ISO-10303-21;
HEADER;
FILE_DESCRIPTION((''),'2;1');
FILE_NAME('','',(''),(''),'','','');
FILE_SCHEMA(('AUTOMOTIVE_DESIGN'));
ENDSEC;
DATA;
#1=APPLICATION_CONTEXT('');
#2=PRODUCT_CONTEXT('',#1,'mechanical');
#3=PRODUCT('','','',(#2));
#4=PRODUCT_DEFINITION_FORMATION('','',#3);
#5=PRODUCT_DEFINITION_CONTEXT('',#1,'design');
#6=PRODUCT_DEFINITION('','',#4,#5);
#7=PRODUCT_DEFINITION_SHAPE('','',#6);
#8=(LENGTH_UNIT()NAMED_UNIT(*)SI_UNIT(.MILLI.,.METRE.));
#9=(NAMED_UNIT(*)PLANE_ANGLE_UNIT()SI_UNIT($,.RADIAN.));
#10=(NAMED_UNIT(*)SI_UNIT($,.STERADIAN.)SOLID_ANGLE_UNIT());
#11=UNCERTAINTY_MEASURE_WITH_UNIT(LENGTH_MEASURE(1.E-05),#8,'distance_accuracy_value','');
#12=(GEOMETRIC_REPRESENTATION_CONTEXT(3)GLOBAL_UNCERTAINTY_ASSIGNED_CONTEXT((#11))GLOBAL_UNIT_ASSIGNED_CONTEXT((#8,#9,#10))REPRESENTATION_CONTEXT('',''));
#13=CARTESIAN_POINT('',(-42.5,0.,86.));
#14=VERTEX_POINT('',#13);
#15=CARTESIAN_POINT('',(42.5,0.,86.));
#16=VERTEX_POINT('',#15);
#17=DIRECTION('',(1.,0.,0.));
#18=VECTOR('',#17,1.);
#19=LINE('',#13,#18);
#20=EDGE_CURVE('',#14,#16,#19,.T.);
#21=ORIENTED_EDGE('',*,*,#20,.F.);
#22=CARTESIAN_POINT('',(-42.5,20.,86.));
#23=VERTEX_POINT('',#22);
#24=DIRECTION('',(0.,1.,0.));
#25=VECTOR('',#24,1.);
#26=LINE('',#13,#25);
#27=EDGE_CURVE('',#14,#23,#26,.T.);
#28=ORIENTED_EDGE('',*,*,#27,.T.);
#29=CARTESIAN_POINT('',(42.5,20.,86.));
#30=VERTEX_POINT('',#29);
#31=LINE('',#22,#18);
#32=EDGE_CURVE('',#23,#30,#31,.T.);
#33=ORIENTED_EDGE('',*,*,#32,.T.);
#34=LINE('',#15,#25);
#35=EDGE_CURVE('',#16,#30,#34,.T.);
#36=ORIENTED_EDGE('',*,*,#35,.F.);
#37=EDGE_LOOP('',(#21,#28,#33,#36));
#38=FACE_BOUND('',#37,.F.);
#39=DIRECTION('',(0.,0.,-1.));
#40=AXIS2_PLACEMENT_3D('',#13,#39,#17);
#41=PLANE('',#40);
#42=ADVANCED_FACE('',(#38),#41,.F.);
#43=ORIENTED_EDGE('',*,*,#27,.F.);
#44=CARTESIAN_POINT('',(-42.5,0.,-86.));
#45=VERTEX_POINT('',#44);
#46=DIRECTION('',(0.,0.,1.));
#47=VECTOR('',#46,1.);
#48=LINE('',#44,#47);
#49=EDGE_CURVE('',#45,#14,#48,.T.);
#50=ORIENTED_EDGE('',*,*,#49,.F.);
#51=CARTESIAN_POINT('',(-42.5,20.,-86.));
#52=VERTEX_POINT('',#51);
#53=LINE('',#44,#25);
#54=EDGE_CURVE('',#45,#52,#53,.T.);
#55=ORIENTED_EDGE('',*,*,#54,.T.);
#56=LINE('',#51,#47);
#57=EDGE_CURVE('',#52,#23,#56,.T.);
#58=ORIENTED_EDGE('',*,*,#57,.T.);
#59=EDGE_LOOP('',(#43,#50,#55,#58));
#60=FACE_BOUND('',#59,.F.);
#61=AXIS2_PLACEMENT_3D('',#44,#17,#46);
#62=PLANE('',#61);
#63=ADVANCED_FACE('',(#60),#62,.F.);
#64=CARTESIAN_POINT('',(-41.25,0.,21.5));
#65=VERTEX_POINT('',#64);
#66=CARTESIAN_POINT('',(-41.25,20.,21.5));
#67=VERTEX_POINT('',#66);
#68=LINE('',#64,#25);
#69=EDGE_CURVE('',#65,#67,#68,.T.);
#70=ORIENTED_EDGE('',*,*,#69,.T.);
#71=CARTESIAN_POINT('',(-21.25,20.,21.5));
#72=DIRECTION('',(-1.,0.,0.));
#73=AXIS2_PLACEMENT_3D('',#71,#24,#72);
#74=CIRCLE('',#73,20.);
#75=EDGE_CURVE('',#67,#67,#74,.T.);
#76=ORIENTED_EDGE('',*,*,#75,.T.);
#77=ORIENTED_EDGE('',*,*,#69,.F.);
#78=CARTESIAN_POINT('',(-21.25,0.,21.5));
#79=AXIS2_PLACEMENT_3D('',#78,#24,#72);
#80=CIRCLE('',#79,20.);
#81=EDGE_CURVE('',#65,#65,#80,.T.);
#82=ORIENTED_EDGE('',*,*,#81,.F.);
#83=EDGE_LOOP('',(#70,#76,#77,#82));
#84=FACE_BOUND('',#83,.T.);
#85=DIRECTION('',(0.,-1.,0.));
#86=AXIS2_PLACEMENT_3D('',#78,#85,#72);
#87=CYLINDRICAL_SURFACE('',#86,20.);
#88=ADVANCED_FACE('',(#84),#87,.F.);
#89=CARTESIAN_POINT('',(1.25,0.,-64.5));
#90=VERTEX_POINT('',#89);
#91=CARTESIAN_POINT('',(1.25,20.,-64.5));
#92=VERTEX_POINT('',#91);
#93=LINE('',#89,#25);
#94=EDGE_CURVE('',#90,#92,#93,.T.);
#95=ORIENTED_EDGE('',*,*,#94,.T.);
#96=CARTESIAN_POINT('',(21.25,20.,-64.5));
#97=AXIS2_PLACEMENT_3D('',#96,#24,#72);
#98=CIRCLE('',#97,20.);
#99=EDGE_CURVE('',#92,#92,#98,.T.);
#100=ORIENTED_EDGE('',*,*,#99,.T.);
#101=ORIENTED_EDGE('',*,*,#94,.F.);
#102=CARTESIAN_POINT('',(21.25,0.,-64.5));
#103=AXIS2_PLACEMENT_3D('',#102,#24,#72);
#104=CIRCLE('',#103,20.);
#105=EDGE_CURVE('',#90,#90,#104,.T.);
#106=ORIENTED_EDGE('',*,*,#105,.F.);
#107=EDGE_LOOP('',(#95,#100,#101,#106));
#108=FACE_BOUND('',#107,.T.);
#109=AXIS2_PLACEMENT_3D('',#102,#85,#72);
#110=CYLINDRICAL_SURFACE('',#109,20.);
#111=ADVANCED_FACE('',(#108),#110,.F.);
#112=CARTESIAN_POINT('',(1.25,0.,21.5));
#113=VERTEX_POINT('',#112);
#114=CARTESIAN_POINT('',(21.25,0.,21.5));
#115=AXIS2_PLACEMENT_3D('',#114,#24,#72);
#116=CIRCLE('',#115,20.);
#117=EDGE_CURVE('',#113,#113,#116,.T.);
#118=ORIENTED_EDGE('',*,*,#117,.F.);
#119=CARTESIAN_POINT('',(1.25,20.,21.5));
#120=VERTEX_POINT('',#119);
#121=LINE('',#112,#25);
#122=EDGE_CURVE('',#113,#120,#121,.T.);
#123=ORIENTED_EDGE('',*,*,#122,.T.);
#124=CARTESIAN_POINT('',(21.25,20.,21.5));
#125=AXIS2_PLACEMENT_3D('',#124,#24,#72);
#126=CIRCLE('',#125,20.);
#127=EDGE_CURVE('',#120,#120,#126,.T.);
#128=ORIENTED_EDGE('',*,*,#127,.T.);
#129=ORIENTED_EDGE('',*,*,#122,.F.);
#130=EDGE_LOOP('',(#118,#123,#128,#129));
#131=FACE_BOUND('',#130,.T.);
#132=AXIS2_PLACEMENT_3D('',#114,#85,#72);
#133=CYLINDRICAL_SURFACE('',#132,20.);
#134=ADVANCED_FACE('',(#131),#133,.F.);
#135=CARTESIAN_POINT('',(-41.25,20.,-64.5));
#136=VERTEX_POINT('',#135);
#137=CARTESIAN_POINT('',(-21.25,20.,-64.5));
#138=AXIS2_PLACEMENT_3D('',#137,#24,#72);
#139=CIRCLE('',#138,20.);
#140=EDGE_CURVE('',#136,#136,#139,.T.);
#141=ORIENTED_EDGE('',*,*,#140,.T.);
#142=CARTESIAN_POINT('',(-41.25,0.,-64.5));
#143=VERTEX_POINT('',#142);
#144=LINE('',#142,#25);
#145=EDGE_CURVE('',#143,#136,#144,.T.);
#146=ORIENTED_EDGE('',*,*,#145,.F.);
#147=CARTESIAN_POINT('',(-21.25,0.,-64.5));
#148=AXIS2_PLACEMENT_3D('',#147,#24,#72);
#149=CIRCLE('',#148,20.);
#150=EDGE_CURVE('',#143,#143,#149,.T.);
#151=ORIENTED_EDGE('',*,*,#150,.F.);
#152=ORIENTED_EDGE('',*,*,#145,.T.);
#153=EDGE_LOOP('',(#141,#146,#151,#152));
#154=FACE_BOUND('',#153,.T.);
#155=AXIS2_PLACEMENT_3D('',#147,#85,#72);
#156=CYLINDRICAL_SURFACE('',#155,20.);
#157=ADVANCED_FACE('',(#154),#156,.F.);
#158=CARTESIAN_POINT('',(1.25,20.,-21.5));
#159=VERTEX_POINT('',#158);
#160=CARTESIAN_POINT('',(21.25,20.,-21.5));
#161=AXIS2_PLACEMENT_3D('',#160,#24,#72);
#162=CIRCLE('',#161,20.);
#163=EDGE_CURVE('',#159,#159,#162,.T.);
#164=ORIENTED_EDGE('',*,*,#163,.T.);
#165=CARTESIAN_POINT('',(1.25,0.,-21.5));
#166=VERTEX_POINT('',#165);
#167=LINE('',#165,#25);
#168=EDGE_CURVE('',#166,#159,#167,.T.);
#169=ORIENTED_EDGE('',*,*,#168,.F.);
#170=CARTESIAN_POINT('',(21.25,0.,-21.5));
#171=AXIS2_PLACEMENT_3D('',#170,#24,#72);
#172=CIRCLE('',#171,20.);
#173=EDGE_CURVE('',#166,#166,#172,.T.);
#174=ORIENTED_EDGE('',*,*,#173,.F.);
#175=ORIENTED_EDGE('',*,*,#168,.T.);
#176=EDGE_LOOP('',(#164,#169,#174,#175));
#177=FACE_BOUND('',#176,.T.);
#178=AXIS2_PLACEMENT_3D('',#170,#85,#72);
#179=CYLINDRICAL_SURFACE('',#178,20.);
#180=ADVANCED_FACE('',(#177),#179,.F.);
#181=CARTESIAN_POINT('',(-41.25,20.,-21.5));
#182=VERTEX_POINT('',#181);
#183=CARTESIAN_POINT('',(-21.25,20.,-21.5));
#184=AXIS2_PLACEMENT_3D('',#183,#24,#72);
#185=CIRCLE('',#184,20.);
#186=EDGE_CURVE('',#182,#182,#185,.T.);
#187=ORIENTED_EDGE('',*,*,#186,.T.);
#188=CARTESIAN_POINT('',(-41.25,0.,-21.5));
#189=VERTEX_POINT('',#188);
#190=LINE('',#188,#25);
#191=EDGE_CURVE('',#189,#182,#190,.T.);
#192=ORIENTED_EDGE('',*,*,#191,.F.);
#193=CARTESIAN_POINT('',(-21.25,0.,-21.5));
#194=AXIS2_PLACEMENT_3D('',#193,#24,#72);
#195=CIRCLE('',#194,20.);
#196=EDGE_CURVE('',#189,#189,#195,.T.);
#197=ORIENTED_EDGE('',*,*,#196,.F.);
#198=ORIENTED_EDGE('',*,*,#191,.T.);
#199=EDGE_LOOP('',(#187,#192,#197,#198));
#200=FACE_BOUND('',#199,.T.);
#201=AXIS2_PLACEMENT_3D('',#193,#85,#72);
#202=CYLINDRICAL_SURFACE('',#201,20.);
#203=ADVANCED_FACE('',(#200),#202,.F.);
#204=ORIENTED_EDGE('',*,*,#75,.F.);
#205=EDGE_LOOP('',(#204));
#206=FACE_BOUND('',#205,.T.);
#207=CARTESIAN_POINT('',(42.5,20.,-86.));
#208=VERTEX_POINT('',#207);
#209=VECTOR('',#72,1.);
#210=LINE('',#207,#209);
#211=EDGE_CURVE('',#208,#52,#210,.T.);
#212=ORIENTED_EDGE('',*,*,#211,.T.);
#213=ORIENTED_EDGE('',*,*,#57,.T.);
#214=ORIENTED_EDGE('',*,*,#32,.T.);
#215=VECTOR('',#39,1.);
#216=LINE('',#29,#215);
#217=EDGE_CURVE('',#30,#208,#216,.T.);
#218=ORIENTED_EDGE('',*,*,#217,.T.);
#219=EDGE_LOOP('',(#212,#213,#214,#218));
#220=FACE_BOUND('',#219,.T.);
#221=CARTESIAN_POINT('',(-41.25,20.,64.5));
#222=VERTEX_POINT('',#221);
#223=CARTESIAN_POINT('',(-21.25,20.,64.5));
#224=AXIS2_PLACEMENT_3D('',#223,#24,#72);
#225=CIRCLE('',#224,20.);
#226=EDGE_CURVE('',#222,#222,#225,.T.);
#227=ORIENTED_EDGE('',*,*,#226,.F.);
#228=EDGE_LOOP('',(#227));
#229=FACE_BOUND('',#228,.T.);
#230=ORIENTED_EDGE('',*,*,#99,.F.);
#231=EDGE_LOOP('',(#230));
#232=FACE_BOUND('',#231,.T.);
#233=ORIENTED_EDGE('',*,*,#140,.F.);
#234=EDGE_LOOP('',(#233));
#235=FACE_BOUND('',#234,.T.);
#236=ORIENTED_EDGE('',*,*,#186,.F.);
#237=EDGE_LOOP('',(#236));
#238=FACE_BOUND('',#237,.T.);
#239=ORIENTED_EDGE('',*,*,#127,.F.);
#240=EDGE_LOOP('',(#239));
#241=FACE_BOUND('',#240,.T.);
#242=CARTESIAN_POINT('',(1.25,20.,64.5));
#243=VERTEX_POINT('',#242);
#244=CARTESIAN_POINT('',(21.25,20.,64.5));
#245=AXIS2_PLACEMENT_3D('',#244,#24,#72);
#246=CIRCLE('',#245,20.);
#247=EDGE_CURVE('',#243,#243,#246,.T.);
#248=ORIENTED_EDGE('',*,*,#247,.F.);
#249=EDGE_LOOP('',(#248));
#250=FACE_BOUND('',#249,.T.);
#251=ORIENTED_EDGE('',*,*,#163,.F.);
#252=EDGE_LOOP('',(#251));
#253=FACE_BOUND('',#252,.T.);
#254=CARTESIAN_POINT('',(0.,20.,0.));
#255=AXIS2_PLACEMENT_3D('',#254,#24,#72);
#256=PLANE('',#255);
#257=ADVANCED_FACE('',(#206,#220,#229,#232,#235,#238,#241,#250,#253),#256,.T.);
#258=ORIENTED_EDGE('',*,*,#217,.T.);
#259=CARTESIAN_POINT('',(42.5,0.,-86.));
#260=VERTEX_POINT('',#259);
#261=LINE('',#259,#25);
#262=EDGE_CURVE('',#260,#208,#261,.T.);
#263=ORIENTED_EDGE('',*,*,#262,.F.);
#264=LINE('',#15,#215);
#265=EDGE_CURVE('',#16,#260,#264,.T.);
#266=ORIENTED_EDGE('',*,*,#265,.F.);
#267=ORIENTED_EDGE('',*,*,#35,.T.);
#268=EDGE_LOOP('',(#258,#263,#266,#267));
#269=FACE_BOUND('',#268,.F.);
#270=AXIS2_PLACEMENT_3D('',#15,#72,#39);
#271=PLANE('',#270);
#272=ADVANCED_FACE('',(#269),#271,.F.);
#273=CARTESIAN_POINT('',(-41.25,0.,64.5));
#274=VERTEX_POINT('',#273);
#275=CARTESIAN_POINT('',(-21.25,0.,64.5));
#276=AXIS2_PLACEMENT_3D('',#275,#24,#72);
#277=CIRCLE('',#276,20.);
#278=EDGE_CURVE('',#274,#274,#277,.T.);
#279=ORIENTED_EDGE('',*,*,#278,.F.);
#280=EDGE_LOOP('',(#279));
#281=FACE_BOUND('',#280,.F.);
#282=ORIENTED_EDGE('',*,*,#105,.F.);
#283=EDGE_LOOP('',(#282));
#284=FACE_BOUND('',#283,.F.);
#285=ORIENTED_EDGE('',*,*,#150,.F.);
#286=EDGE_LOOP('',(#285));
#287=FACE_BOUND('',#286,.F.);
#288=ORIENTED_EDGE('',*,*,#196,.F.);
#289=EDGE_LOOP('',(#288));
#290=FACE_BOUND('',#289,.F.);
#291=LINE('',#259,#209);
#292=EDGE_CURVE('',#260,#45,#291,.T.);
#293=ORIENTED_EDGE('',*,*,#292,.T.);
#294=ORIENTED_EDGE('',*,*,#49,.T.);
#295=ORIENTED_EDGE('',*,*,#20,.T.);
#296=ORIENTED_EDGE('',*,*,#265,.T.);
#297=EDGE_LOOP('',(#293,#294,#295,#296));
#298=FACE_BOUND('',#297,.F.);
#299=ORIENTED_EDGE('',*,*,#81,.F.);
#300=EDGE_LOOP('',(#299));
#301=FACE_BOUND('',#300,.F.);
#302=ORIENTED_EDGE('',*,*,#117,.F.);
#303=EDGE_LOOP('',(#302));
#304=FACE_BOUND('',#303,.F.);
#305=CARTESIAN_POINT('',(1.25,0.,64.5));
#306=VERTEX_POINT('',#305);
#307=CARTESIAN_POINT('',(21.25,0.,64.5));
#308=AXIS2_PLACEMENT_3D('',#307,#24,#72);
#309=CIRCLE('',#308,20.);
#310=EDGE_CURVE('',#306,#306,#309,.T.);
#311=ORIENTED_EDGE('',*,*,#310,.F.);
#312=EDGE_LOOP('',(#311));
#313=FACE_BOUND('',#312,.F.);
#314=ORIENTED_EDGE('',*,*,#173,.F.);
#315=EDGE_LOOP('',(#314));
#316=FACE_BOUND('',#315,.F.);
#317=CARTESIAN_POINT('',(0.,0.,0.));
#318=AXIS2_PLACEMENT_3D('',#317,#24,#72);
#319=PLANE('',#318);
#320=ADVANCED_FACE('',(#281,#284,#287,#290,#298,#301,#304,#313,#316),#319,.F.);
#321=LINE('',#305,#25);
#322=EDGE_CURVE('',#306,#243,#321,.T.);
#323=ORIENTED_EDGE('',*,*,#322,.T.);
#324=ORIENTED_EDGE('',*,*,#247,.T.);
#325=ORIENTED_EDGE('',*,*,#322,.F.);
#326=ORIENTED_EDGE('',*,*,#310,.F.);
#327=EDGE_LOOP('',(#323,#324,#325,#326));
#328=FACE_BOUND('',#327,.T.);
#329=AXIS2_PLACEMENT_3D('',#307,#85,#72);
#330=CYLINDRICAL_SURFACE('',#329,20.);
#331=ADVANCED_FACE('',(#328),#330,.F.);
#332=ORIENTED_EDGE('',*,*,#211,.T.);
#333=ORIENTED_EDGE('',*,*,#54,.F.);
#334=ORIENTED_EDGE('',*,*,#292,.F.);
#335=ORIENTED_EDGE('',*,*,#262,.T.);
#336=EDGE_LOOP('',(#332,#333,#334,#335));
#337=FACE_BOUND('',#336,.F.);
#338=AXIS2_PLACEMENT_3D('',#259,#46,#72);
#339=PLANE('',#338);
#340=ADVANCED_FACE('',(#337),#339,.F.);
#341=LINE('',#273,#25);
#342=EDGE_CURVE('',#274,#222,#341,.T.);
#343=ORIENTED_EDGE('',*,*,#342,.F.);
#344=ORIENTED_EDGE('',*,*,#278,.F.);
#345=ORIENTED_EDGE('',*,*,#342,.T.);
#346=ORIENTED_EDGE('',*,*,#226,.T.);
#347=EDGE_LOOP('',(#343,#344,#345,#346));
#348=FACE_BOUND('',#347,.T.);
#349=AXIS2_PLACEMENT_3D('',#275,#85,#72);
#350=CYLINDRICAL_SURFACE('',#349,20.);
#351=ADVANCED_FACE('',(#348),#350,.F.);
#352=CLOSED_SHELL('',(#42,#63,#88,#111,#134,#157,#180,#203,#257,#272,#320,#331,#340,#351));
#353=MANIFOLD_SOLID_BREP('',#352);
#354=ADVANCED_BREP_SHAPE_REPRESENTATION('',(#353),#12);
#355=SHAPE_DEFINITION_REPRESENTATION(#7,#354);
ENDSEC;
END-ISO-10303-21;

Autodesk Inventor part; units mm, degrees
ref_plane "YZ Plane" through (0, 0, 0) normal (1, 0, 0) x (0, 1, 0)
ref_plane "XZ Plane" through (0, 0, 0) normal (0, 1, 0) x (-1, 0, 0)
ref_plane "XY Plane" through (0, 0, 0) normal (0, 0, 1) x (1, 0, 0)
sketch "Sketch1" plane through (0, 0, 0) normal (0, 1, 0) x (-1, 0, 0)
  line L0 (42.5, 86) -> (-42.5, 86)
  line L1 (-42.5, 86) -> (-42.5, -86)
  line L2 (-42.5, -86) -> (42.5, -86)
  line L3 (42.5, -86) -> (42.5, 86)
  line L4 (42.5, 0) -> (-42.5, 0) construction
  circle A0 centre (21.25, 64.5) radius 20
  line L5 (-21.25, 86) -> (-21.25, -86) construction
  line L6 (21.25, -86) -> (21.25, 86) construction
  circle A1 centre (21.25, 21.5) radius 20
  circle A2 centre (21.25, -21.5) radius 20
  circle A3 centre (21.25, -64.5) radius 20
  circle A4 centre (-21.25, -64.5) radius 20
  circle A5 centre (-21.25, -21.5) radius 20
  circle A6 centre (-21.25, 21.5) radius 20
  circle A7 centre (-21.25, 64.5) radius 20
  line L7 (42.5, 64.5) -> (-42.5, 64.5) construction
  line L8 (42.5, 21.5) -> (-42.5, 21.5) construction
  line L9 (42.5, -21.5) -> (-42.5, -21.5) construction
  line L10 (42.5, -64.5) -> (-42.5, -64.5) construction
  point P0 (0, 0)
  point P1 (0, 0)
  dimension "d0" = 172
  dimension "d1" = 85
  dimension "d2" = 40
  dimension "d3" = 42.5
  dimension "d4" = 21.25
  dimension "d5" = 43
  dimension "d6" = 43
  dimension "d7" = 43
  dimension "d8" = 21.5
extrude "Extrusion1" add sketch "Sketch1" along normal blind 20
equation "\"d3\" = 0.5 * d1"
equation "\"d4\" = 0.25 * d1"
equation "\"d5\" = 0.25 * d0"
equation "\"d6\" = d5"
equation "\"d7\" = d5"
equation "\"d8\" = 0.125 * d0"
properties part number "Cell_Spacer" material "ABS Plastic"
